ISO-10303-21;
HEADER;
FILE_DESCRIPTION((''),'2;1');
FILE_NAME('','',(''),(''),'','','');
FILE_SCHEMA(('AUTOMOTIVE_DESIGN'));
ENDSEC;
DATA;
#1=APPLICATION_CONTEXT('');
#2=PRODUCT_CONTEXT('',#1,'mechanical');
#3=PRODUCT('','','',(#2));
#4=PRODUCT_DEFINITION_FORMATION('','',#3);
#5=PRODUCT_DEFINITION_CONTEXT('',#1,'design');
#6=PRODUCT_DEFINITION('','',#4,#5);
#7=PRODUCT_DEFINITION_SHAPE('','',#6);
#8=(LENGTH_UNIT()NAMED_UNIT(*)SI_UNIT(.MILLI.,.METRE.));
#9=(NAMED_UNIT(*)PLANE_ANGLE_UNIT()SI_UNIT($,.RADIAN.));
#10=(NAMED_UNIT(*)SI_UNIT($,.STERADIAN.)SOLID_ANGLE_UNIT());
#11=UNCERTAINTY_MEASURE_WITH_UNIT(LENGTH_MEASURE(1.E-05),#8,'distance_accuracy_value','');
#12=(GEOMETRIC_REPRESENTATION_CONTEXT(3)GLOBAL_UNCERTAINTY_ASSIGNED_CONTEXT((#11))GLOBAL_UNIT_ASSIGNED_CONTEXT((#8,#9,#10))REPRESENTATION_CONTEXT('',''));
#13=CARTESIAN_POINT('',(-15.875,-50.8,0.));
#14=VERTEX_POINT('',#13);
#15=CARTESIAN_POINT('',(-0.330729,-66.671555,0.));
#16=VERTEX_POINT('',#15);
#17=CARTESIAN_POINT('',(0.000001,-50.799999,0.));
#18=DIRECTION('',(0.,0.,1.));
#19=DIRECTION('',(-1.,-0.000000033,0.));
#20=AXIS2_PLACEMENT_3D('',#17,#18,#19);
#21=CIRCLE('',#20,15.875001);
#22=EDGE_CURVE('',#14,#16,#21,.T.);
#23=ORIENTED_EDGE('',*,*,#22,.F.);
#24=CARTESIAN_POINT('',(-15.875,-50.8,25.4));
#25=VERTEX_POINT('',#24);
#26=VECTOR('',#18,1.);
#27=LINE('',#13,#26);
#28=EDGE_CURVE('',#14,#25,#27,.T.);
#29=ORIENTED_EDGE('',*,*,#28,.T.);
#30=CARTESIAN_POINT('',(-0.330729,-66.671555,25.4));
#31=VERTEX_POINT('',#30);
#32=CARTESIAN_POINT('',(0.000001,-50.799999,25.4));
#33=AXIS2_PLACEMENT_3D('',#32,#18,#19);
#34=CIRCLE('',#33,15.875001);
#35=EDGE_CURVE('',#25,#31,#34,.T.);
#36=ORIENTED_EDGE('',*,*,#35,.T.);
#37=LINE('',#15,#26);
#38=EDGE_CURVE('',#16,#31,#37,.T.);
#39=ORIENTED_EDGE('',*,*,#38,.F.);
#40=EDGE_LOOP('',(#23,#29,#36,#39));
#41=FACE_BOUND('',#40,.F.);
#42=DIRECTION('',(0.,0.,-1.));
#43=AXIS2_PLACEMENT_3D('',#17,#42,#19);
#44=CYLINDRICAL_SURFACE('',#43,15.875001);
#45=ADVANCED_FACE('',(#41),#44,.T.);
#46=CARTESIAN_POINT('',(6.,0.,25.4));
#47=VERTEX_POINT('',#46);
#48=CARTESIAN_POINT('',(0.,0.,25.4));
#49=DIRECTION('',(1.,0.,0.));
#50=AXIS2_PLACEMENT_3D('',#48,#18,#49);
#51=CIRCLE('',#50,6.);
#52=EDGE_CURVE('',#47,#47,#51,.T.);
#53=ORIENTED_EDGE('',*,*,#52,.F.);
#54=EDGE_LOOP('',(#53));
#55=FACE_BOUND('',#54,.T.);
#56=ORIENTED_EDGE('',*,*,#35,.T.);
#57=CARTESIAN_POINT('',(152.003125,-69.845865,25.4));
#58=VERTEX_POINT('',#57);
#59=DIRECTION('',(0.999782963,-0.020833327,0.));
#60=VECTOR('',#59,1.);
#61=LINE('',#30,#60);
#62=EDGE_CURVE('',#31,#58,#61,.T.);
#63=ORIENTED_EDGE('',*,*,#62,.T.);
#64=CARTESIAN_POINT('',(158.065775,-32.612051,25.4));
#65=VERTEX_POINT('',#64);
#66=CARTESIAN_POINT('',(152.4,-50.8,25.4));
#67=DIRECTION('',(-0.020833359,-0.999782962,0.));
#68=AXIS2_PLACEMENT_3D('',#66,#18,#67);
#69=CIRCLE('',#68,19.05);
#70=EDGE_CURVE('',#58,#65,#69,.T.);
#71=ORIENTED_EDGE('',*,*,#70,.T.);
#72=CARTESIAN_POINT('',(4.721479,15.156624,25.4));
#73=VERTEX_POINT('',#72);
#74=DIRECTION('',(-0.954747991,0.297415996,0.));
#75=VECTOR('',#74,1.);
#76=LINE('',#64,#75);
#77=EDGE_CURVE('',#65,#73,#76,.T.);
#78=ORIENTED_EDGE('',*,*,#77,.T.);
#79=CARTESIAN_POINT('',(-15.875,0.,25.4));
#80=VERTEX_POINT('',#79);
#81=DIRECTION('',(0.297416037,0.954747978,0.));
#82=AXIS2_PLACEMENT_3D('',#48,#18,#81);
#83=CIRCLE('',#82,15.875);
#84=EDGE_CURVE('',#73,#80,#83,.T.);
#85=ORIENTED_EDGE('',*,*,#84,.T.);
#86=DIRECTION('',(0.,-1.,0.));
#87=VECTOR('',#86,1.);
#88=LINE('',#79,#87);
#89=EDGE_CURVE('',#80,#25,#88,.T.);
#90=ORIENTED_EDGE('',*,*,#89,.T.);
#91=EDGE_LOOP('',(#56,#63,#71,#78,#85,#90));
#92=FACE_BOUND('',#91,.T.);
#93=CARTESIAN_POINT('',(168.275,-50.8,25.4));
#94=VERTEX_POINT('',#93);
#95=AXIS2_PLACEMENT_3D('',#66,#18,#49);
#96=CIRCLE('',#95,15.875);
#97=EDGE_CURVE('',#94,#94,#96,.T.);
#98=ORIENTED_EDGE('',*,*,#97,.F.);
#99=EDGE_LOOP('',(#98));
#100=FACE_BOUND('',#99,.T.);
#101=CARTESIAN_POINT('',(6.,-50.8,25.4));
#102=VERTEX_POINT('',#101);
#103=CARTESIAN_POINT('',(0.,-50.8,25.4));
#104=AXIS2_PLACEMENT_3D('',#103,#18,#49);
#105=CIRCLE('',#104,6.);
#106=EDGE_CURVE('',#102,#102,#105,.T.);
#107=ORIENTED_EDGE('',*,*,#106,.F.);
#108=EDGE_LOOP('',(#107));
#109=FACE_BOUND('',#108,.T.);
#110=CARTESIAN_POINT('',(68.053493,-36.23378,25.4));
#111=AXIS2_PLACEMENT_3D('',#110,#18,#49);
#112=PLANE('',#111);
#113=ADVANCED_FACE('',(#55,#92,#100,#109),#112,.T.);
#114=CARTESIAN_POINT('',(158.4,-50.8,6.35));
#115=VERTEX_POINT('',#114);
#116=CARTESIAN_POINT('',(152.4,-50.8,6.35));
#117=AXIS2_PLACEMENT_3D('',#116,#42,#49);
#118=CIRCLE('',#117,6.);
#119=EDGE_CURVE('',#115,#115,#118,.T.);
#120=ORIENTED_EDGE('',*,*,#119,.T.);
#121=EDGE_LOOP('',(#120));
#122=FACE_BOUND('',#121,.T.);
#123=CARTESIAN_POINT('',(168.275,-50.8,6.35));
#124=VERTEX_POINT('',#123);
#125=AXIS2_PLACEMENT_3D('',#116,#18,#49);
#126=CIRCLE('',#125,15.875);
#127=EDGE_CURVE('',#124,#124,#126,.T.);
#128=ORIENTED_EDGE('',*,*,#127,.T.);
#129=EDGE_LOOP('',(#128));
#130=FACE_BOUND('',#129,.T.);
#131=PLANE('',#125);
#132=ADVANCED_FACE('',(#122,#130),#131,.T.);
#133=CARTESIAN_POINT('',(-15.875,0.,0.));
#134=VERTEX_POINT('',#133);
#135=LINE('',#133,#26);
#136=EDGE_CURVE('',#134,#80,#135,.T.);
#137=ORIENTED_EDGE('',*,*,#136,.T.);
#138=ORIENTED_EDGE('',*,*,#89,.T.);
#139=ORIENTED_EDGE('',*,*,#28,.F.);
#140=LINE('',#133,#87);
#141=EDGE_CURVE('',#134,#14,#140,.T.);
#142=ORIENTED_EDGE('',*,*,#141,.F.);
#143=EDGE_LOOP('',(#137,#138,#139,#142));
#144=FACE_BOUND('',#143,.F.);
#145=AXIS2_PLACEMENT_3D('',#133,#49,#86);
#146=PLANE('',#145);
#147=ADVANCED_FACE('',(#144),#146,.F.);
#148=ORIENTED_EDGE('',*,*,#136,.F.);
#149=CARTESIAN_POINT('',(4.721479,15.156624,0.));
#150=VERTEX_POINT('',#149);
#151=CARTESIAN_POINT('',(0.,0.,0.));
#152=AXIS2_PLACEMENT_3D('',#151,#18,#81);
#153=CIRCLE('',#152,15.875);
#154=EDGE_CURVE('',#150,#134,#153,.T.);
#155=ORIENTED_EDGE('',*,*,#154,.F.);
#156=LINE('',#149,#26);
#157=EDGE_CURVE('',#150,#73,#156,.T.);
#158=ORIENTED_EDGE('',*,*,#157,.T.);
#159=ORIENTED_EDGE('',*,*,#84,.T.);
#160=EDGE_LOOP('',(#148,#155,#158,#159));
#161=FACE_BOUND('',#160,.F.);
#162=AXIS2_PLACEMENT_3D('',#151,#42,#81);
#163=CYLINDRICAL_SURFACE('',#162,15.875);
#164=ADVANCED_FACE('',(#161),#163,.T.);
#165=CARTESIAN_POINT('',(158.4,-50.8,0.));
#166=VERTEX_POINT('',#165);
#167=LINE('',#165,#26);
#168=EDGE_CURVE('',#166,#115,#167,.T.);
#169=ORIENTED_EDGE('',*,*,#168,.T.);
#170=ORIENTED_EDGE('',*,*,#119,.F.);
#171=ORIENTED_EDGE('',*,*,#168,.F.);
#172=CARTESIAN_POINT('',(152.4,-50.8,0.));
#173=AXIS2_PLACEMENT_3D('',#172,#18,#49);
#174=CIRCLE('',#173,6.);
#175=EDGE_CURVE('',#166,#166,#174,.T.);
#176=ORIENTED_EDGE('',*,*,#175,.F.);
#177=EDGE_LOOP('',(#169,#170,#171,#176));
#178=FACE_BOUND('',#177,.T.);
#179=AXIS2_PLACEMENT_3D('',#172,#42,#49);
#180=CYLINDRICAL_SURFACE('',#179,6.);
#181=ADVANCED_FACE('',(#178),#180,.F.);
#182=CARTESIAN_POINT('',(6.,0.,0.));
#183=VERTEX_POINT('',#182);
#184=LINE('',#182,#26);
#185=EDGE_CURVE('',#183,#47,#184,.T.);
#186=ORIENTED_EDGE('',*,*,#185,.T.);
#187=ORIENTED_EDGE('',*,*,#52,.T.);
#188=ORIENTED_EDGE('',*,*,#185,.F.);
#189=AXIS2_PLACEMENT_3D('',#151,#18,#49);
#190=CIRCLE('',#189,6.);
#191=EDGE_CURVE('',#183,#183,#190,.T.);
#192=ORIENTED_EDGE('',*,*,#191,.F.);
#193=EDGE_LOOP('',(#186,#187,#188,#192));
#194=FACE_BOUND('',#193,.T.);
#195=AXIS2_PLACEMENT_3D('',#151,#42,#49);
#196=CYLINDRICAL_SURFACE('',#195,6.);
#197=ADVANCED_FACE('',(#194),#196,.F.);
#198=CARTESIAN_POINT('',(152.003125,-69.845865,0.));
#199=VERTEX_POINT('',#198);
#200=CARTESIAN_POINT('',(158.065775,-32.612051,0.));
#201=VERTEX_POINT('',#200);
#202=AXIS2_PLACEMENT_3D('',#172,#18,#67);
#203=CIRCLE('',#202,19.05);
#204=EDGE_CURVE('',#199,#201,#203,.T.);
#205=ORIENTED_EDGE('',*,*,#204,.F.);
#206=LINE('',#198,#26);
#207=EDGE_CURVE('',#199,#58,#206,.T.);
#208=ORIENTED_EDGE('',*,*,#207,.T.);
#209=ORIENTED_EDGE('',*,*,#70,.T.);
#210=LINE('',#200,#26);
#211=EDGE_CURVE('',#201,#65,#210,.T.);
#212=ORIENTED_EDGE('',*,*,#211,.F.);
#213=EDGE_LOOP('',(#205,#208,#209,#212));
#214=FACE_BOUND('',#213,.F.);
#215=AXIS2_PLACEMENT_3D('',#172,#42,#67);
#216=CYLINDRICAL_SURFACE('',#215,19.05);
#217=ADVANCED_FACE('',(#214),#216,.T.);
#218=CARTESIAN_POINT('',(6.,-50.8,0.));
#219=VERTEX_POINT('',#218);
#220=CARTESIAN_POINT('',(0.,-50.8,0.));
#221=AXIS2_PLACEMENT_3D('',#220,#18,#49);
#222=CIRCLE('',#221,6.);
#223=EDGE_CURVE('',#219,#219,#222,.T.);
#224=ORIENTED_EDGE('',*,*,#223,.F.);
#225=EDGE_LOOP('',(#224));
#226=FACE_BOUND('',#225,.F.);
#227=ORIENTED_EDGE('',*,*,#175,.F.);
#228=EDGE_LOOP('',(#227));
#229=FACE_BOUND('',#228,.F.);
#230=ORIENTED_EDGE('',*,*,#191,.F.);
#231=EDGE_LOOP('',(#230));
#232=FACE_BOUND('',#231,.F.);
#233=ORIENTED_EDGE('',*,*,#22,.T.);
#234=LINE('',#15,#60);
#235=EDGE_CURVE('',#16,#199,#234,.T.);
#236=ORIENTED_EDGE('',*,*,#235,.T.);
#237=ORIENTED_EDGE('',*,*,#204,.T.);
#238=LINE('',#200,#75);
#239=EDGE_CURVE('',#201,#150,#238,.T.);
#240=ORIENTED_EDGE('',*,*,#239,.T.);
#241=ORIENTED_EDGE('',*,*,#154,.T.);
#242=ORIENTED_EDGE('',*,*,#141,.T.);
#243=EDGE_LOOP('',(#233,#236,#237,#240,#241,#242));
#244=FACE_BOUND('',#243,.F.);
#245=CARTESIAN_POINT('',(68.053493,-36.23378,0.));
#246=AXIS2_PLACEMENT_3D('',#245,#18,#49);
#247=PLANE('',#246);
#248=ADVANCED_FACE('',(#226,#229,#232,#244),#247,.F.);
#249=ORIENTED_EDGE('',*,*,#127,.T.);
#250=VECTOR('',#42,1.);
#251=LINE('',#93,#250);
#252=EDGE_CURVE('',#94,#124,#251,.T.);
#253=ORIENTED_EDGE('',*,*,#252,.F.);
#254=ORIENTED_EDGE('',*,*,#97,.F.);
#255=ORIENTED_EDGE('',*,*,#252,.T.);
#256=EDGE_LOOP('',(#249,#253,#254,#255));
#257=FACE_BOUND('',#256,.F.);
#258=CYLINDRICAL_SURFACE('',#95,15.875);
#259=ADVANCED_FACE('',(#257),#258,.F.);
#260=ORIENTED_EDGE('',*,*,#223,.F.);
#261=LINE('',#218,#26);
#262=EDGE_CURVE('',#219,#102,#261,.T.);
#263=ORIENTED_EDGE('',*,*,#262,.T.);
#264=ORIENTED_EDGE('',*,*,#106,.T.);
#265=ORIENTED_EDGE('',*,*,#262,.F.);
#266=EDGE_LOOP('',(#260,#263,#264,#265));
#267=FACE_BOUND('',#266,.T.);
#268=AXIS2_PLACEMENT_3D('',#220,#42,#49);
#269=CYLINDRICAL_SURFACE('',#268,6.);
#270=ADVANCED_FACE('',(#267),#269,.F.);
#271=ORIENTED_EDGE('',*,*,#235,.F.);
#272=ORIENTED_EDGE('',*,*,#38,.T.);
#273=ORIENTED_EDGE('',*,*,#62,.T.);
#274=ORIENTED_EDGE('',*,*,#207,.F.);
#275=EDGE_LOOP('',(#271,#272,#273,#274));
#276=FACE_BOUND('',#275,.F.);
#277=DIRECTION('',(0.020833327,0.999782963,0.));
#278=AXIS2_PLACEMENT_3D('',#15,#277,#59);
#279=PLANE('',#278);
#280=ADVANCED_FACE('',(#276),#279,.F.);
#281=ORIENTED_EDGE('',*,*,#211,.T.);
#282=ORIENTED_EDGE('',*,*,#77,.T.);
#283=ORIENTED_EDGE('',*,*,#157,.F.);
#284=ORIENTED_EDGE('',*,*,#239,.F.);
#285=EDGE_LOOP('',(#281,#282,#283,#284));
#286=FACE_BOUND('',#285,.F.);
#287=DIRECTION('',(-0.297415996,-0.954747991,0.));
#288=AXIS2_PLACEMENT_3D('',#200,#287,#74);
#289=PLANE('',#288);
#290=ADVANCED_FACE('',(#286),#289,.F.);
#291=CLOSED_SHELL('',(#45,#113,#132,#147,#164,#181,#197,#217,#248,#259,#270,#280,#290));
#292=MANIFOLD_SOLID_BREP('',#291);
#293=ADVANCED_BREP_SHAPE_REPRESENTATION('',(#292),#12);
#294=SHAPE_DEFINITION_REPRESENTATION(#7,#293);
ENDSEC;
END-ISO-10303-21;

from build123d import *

# Parameters (mm, degrees)
F1_R     = 6
F2_DEPTH = 25.4
F3_R     = 15.875
F4_DEPTH = 19.05


with BuildPart() as f2:
    # F1 (on Top) → F2 (new body)
    with BuildSketch(Plane.XY):
        with BuildLine():
            ThreePointArc((-15.875, -50.8), (-11.341648, -61.907774), (-0.330729, -66.671555))
            Line((-0.330729, -66.671555), (152.003125, -69.845865))
            ThreePointArc((152.003125, -69.845865), (171.202382, -53.861525), (158.065775, -32.612051))
            Line((158.065775, -32.612051), (4.721479, 15.156624))
            ThreePointArc((4.721479, 15.156624), (-9.409095, 12.786108), (-15.875, 0))
            Line((-15.875, 0), (-15.875, -50.8))
        make_face()
        with Locations((0, -50.8)):
            Circle(F1_R, mode=Mode.SUBTRACT)
        with Locations((152.4, -50.8)):
            Circle(F1_R, mode=Mode.SUBTRACT)
        Circle(F1_R, mode=Mode.SUBTRACT)
    extrude(amount=F2_DEPTH)

    # F3 (on face) → F4 (cut)
    with BuildSketch(Plane.XY.offset(25.4)):
        with Locations((152.4, -50.8)):
            Circle(F3_R)
    extrude(amount=-F4_DEPTH, mode=Mode.SUBTRACT)


solid = f2.part
